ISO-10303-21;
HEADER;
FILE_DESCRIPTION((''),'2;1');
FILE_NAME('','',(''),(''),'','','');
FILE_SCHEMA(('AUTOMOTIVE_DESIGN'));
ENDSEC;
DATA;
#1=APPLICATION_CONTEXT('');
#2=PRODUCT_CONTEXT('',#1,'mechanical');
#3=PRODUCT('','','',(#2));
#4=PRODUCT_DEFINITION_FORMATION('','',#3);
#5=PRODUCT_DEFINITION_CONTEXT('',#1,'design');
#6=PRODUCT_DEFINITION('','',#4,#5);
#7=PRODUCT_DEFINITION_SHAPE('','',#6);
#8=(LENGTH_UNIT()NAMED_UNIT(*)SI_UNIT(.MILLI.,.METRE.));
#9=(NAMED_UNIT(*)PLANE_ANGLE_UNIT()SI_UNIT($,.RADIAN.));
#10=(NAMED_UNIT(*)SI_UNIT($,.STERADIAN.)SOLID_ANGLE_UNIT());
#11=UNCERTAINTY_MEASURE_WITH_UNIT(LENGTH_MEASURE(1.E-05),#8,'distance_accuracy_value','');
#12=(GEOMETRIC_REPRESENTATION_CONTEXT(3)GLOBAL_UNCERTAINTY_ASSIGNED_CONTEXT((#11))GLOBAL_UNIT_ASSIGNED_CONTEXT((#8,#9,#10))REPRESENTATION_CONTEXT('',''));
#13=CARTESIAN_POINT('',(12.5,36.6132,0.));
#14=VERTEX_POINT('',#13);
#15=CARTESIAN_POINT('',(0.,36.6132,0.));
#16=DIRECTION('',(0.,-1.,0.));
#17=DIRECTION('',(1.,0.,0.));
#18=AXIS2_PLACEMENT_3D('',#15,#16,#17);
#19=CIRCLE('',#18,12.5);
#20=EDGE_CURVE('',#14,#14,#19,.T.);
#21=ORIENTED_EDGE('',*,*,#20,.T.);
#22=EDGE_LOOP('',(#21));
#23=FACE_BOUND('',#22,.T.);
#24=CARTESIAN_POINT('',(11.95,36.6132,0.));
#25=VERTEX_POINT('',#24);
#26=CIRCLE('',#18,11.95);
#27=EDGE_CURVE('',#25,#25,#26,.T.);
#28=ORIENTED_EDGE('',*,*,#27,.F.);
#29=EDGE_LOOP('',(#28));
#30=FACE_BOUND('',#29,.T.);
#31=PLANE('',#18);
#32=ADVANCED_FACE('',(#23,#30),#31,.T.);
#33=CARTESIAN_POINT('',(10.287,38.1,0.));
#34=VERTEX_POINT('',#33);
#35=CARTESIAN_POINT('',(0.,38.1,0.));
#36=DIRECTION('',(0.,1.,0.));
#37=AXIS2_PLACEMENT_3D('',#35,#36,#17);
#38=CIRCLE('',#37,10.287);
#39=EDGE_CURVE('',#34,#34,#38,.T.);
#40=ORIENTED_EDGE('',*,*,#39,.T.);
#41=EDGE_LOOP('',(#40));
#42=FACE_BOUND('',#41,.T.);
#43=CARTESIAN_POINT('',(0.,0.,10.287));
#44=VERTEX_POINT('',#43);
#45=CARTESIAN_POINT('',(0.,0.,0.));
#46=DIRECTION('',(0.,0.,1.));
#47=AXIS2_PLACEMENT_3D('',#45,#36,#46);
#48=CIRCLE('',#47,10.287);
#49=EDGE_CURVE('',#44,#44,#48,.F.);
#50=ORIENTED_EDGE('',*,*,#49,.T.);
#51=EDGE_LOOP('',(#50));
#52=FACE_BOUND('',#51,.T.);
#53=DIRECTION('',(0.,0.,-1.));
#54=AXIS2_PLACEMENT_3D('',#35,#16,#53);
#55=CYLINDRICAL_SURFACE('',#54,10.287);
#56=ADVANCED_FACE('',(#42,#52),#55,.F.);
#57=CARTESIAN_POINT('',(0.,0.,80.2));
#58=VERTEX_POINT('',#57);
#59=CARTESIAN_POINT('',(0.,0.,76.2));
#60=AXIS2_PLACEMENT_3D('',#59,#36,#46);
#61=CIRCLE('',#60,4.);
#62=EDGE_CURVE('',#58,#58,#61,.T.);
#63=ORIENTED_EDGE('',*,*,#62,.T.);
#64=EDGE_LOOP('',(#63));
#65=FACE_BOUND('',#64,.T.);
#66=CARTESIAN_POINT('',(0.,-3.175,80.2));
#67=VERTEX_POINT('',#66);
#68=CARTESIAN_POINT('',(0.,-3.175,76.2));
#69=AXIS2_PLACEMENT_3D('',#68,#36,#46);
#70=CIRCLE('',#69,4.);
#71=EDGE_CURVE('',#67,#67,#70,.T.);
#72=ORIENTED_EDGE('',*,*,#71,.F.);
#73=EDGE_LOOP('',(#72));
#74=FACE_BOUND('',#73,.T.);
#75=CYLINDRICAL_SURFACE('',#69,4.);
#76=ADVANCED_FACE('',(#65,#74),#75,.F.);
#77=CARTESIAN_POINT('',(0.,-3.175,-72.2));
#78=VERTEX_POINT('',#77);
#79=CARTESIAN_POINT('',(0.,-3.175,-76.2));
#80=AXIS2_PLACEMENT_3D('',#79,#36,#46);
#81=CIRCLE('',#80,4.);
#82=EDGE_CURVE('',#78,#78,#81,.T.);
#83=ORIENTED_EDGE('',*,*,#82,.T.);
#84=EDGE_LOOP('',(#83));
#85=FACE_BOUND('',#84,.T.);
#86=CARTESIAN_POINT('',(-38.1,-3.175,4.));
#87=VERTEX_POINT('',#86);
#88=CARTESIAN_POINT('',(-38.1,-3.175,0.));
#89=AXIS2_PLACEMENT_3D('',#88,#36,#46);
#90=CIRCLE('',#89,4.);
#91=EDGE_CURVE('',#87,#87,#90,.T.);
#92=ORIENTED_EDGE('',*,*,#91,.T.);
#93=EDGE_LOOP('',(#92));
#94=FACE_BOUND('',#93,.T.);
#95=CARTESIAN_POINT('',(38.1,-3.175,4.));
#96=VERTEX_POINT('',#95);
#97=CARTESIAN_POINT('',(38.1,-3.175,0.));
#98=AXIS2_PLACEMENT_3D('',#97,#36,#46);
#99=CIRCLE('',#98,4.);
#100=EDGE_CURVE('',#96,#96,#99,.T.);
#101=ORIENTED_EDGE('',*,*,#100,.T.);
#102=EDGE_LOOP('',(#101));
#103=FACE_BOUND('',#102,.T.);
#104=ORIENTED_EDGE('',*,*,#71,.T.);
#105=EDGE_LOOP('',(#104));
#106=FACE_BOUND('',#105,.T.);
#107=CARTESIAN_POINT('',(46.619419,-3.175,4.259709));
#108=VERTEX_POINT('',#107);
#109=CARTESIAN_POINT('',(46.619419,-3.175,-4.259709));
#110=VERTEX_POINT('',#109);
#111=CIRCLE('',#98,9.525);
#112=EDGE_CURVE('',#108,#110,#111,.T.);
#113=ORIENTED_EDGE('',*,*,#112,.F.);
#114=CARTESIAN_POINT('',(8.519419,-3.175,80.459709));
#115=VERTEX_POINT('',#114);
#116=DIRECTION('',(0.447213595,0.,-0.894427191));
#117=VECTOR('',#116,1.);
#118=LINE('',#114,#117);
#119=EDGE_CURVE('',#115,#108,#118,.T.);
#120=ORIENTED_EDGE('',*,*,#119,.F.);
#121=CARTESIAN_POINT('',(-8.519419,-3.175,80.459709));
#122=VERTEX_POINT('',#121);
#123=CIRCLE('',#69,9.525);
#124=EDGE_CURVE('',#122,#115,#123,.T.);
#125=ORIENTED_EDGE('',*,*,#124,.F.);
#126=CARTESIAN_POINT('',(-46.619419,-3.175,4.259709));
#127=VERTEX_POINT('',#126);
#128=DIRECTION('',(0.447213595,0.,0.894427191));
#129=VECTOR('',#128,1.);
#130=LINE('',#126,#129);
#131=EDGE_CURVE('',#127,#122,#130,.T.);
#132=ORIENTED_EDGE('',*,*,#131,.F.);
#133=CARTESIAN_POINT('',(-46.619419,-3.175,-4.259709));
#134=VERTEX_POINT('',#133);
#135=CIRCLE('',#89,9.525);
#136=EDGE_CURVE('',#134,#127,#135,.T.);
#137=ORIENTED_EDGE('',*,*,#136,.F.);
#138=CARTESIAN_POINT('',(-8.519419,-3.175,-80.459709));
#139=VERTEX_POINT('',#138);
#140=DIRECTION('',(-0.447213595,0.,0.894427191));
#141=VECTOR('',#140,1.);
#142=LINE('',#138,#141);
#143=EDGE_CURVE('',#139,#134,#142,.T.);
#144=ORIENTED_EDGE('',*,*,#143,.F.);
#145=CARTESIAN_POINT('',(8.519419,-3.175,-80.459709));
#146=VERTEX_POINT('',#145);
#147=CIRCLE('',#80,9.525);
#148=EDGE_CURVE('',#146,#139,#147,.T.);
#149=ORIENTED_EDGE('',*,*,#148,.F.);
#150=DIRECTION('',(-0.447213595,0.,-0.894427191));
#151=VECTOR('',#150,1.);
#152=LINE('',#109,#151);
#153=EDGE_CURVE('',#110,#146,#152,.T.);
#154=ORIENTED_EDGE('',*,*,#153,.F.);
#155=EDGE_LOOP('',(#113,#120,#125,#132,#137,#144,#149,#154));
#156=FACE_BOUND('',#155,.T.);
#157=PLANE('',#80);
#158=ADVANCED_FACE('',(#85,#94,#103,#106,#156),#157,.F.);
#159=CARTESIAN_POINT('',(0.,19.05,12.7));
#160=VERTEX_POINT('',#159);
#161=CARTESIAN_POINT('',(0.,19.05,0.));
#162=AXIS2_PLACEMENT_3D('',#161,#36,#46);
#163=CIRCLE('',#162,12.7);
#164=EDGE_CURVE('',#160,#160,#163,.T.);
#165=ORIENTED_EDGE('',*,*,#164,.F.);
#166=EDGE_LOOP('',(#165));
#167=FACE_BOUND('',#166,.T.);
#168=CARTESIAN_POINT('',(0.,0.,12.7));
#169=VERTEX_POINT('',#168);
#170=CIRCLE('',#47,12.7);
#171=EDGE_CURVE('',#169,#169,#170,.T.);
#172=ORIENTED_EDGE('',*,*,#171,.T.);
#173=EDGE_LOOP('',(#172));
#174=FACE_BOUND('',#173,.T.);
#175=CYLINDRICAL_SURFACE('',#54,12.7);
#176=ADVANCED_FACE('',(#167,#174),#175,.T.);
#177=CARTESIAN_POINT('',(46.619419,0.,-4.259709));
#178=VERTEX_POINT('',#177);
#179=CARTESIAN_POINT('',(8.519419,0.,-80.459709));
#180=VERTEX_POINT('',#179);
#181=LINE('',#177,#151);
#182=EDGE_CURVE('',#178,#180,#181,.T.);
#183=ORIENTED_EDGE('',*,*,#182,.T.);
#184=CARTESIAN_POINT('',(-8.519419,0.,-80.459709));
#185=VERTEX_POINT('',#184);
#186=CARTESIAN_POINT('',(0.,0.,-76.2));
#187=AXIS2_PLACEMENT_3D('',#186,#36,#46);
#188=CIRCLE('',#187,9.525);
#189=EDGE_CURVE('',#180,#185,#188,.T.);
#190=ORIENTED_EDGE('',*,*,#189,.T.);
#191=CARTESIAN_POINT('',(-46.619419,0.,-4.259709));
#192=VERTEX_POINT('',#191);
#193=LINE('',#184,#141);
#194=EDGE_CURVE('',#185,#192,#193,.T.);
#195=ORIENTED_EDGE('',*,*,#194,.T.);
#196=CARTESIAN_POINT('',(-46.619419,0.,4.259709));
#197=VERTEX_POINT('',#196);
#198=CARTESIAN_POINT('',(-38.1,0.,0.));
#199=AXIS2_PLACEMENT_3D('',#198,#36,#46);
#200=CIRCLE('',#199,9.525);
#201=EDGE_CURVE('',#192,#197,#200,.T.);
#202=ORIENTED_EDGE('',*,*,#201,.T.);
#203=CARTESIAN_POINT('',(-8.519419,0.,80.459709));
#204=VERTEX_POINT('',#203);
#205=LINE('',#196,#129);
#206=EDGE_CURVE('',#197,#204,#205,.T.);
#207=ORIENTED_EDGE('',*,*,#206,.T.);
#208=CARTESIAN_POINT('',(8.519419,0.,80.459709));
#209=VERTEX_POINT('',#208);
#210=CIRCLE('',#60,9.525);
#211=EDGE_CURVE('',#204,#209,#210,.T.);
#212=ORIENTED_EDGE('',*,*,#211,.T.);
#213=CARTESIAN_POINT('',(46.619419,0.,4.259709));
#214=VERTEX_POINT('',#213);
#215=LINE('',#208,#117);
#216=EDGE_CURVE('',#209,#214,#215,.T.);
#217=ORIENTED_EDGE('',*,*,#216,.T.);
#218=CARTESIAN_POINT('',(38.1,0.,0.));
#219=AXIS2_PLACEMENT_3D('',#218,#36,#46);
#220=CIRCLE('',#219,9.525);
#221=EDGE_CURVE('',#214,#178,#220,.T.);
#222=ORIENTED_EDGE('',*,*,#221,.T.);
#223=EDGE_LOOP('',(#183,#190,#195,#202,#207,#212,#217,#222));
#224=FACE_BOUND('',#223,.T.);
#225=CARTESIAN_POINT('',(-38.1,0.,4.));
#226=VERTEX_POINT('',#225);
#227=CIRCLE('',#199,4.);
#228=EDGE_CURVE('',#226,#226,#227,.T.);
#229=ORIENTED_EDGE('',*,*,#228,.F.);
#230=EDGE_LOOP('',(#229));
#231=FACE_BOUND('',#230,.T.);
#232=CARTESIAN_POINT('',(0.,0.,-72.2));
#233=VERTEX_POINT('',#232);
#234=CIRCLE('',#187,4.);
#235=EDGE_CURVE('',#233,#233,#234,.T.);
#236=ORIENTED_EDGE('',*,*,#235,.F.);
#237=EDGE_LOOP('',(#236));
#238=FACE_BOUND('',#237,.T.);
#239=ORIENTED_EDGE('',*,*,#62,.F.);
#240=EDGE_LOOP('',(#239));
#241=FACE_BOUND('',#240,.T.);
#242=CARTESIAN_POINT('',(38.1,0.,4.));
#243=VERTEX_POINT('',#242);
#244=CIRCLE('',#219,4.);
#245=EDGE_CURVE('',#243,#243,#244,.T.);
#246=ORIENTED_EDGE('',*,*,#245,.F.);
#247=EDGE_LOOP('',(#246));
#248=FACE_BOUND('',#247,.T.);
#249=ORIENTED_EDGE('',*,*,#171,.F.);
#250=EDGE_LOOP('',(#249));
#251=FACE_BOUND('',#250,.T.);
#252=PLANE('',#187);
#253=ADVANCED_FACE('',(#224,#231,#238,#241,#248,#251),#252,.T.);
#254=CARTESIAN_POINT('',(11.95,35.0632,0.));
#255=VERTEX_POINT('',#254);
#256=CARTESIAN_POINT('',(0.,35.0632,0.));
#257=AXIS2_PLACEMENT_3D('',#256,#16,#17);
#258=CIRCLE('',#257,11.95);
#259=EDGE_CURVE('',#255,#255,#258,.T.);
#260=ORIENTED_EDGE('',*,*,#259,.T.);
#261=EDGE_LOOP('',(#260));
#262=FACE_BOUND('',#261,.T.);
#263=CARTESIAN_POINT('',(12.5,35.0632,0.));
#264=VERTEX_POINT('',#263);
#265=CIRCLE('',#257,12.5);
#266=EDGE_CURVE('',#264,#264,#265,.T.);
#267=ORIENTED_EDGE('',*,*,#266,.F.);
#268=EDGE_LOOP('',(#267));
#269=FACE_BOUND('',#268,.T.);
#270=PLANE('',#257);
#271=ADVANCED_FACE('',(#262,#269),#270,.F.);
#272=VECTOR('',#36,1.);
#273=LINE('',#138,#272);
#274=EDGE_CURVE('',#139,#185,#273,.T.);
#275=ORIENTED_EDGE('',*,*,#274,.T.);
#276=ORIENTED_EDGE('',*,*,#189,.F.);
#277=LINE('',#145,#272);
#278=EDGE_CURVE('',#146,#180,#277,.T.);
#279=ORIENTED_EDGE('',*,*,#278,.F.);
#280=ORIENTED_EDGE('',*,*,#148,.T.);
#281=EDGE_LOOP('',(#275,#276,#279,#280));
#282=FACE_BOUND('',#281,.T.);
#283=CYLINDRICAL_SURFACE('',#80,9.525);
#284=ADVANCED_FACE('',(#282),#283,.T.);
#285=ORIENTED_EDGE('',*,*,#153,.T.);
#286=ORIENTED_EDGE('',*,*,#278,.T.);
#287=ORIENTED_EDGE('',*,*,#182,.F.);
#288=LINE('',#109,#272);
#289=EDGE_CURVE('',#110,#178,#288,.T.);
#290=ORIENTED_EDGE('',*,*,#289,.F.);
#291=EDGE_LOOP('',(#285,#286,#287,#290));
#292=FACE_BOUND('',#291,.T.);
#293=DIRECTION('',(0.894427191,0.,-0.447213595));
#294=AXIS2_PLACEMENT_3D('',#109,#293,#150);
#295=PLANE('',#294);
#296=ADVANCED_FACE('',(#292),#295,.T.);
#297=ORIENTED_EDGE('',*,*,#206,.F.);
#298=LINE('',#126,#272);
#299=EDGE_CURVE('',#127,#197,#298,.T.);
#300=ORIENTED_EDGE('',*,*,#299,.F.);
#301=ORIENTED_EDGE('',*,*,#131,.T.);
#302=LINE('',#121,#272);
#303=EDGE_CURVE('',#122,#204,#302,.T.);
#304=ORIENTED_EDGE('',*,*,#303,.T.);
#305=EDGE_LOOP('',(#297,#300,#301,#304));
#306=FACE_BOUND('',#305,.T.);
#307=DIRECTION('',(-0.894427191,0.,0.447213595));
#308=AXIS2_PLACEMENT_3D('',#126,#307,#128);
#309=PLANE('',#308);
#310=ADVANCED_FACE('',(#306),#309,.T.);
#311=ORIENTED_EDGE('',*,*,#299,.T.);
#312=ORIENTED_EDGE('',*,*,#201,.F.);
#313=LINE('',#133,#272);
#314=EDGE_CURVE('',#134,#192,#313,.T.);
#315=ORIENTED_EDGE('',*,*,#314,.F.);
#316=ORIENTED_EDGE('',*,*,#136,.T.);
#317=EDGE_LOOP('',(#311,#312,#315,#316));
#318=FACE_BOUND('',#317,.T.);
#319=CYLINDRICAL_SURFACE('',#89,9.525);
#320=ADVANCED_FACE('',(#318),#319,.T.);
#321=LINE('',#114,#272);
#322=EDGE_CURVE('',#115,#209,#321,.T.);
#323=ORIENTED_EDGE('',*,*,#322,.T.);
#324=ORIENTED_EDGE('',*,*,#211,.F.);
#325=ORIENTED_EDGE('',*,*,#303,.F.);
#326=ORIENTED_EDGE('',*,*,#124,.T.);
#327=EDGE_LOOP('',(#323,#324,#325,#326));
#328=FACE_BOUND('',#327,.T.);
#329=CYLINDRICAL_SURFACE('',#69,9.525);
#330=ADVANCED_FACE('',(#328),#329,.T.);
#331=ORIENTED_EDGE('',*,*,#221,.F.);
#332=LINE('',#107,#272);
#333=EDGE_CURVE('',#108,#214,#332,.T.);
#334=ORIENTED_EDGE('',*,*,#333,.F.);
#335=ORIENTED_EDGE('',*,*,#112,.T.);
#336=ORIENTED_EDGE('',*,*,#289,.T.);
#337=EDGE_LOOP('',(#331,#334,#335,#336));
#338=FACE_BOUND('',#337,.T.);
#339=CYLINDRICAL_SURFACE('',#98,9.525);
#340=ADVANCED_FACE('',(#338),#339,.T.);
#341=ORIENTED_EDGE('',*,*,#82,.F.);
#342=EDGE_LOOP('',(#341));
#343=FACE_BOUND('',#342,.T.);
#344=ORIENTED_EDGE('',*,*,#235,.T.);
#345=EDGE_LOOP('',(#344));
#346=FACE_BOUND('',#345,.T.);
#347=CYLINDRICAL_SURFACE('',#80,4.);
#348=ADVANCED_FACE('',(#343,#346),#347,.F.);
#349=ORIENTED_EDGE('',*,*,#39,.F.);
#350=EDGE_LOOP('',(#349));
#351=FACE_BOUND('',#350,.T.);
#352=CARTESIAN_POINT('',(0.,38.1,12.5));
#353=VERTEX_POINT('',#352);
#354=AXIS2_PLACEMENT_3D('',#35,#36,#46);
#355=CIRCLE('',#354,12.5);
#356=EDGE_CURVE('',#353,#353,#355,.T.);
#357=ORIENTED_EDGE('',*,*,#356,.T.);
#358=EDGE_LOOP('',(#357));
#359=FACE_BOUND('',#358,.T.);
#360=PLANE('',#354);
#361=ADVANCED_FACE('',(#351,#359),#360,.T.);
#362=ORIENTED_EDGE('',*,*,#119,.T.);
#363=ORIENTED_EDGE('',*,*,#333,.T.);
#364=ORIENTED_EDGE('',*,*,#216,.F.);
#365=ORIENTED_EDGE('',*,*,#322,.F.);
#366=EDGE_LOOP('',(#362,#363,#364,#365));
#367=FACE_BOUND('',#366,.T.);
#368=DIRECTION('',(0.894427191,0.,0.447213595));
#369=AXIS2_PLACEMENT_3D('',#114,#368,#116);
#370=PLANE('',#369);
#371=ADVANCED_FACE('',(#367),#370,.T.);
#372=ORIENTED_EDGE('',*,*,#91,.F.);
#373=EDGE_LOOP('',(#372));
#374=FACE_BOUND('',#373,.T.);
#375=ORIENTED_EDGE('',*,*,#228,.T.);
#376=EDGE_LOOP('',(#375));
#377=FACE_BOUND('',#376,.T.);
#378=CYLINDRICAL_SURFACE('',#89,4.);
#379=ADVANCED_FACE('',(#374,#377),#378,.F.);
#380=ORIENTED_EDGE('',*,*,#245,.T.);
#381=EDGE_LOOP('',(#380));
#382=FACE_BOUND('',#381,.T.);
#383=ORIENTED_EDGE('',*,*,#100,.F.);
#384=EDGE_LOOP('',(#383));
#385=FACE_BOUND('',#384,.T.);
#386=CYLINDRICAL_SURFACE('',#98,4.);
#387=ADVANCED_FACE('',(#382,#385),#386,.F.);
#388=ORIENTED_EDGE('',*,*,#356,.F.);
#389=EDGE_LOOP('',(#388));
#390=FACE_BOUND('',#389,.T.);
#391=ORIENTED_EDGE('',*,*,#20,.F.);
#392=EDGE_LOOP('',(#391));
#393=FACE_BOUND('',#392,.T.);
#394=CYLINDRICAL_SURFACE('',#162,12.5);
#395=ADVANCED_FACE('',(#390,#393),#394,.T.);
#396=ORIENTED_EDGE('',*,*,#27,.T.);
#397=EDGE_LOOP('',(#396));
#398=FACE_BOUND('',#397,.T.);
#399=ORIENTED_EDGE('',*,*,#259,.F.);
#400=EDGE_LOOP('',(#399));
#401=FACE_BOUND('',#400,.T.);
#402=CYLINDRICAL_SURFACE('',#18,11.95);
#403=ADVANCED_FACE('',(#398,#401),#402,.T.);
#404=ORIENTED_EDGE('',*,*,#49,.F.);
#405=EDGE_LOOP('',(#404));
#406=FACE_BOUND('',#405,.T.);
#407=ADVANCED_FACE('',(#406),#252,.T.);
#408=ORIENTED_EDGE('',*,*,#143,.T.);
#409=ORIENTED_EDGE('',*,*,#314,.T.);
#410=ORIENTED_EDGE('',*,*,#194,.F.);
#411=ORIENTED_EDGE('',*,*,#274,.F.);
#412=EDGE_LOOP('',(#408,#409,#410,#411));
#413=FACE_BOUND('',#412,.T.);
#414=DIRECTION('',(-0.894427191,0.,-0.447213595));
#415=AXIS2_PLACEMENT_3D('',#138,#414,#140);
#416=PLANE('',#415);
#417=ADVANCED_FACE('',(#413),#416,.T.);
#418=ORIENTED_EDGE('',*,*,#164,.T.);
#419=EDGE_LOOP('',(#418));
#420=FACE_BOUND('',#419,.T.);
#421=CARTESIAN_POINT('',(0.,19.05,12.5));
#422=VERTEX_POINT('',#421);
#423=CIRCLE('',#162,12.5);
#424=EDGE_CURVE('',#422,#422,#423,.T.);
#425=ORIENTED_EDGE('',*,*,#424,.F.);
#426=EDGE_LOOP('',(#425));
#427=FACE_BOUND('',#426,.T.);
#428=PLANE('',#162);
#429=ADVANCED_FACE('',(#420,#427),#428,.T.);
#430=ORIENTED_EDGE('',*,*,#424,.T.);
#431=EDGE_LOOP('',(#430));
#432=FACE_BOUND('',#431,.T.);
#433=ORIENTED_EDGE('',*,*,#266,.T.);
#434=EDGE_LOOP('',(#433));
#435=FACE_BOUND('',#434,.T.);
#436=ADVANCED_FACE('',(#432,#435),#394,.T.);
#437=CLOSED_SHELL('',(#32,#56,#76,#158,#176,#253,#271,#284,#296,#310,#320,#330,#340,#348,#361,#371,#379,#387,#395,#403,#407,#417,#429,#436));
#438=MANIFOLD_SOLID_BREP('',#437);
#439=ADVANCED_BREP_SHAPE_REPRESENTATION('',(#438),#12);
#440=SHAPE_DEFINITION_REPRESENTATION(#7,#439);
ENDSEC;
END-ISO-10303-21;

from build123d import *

# Parameters (mm, degrees)
SKETCH1_R           = 4
BOSS_EXTRUDE1_DEPTH = 3.175
SKETCH2_R           = 12.7
SKETCH2_R_2         = 10.287
EXTRUDE_THIN1_DEPTH = 38.1
SKETCH3_R           = 12.7
SKETCH3_R_2         = 12.5
CUT_EXTRUDE2_DEPTH  = 19.05
SKETCH4_R           = 12.5
SKETCH4_R_2         = 11.95
CUT_EXTRUDE3_DEPTH  = 1.55


with BuildPart() as part:
    # Sketch1 → Boss-Extrude1 (new body)
    with BuildSketch(Plane(origin=(0, 0, 0), x_dir=(1, 0, 0), z_dir=(0, 1, 0))):
        with BuildLine():
            Line((-8.519418994, 80.459709497), (-46.619418994, 4.259709497))
            ThreePointArc((-46.619418994, 4.259709497), (-47.625, 0), (-46.619418994, -4.259709497))
            Line((-46.619418994, -4.259709497), (-8.519418994, -80.459709497))
            ThreePointArc((-8.519418994, -80.459709497), (0, -85.725), (8.519418994, -80.459709497))
            Line((8.519418994, -80.459709497), (46.619418994, -4.259709497))
            ThreePointArc((46.619418994, -4.259709497), (47.625, 0), (46.619418994, 4.259709497))
            Line((46.619418994, 4.259709497), (8.519418994, 80.459709497))
            ThreePointArc((8.519418994, 80.459709497), (0, 85.725), (-8.519418994, 80.459709497))
        make_face()
        with Locations((0, 76.2)):
            Circle(SKETCH1_R, mode=Mode.SUBTRACT)
        with Locations((0, -76.2)):
            Circle(SKETCH1_R, mode=Mode.SUBTRACT)
        with Locations((-38.1, 0)):
            Circle(SKETCH1_R, mode=Mode.SUBTRACT)
        with Locations((38.1, 0)):
            Circle(SKETCH1_R, mode=Mode.SUBTRACT)
    extrude(amount=-BOSS_EXTRUDE1_DEPTH)

    # Sketch2 → Extrude-Thin1 (add)
    with BuildSketch(Plane(origin=(0, 0, 0), x_dir=(1, 0, 0), z_dir=(0, 1, 0))):
        Circle(SKETCH2_R)
        Circle(SKETCH2_R_2, mode=Mode.SUBTRACT)
    extrude(amount=EXTRUDE_THIN1_DEPTH)

    # Sketch3 → Cut-Extrude2 (cut)
    with BuildSketch(Plane(origin=(0, 38.1, 0), x_dir=(1, 0, 0), z_dir=(0, 1, 0))):
        Circle(SKETCH3_R)
        Circle(SKETCH3_R_2, mode=Mode.SUBTRACT)
    extrude(amount=-CUT_EXTRUDE2_DEPTH, mode=Mode.SUBTRACT)

    # Sketch4 → Cut-Extrude3 (cut)
    with BuildSketch(Plane(origin=(0, 35.063199876, 0), x_dir=(-1, 0, 0), z_dir=(0, -1, 0))):
        Circle(SKETCH4_R)
        Circle(SKETCH4_R_2, mode=Mode.SUBTRACT)
    extrude(amount=-CUT_EXTRUDE3_DEPTH, mode=Mode.SUBTRACT)


solid = part.part
